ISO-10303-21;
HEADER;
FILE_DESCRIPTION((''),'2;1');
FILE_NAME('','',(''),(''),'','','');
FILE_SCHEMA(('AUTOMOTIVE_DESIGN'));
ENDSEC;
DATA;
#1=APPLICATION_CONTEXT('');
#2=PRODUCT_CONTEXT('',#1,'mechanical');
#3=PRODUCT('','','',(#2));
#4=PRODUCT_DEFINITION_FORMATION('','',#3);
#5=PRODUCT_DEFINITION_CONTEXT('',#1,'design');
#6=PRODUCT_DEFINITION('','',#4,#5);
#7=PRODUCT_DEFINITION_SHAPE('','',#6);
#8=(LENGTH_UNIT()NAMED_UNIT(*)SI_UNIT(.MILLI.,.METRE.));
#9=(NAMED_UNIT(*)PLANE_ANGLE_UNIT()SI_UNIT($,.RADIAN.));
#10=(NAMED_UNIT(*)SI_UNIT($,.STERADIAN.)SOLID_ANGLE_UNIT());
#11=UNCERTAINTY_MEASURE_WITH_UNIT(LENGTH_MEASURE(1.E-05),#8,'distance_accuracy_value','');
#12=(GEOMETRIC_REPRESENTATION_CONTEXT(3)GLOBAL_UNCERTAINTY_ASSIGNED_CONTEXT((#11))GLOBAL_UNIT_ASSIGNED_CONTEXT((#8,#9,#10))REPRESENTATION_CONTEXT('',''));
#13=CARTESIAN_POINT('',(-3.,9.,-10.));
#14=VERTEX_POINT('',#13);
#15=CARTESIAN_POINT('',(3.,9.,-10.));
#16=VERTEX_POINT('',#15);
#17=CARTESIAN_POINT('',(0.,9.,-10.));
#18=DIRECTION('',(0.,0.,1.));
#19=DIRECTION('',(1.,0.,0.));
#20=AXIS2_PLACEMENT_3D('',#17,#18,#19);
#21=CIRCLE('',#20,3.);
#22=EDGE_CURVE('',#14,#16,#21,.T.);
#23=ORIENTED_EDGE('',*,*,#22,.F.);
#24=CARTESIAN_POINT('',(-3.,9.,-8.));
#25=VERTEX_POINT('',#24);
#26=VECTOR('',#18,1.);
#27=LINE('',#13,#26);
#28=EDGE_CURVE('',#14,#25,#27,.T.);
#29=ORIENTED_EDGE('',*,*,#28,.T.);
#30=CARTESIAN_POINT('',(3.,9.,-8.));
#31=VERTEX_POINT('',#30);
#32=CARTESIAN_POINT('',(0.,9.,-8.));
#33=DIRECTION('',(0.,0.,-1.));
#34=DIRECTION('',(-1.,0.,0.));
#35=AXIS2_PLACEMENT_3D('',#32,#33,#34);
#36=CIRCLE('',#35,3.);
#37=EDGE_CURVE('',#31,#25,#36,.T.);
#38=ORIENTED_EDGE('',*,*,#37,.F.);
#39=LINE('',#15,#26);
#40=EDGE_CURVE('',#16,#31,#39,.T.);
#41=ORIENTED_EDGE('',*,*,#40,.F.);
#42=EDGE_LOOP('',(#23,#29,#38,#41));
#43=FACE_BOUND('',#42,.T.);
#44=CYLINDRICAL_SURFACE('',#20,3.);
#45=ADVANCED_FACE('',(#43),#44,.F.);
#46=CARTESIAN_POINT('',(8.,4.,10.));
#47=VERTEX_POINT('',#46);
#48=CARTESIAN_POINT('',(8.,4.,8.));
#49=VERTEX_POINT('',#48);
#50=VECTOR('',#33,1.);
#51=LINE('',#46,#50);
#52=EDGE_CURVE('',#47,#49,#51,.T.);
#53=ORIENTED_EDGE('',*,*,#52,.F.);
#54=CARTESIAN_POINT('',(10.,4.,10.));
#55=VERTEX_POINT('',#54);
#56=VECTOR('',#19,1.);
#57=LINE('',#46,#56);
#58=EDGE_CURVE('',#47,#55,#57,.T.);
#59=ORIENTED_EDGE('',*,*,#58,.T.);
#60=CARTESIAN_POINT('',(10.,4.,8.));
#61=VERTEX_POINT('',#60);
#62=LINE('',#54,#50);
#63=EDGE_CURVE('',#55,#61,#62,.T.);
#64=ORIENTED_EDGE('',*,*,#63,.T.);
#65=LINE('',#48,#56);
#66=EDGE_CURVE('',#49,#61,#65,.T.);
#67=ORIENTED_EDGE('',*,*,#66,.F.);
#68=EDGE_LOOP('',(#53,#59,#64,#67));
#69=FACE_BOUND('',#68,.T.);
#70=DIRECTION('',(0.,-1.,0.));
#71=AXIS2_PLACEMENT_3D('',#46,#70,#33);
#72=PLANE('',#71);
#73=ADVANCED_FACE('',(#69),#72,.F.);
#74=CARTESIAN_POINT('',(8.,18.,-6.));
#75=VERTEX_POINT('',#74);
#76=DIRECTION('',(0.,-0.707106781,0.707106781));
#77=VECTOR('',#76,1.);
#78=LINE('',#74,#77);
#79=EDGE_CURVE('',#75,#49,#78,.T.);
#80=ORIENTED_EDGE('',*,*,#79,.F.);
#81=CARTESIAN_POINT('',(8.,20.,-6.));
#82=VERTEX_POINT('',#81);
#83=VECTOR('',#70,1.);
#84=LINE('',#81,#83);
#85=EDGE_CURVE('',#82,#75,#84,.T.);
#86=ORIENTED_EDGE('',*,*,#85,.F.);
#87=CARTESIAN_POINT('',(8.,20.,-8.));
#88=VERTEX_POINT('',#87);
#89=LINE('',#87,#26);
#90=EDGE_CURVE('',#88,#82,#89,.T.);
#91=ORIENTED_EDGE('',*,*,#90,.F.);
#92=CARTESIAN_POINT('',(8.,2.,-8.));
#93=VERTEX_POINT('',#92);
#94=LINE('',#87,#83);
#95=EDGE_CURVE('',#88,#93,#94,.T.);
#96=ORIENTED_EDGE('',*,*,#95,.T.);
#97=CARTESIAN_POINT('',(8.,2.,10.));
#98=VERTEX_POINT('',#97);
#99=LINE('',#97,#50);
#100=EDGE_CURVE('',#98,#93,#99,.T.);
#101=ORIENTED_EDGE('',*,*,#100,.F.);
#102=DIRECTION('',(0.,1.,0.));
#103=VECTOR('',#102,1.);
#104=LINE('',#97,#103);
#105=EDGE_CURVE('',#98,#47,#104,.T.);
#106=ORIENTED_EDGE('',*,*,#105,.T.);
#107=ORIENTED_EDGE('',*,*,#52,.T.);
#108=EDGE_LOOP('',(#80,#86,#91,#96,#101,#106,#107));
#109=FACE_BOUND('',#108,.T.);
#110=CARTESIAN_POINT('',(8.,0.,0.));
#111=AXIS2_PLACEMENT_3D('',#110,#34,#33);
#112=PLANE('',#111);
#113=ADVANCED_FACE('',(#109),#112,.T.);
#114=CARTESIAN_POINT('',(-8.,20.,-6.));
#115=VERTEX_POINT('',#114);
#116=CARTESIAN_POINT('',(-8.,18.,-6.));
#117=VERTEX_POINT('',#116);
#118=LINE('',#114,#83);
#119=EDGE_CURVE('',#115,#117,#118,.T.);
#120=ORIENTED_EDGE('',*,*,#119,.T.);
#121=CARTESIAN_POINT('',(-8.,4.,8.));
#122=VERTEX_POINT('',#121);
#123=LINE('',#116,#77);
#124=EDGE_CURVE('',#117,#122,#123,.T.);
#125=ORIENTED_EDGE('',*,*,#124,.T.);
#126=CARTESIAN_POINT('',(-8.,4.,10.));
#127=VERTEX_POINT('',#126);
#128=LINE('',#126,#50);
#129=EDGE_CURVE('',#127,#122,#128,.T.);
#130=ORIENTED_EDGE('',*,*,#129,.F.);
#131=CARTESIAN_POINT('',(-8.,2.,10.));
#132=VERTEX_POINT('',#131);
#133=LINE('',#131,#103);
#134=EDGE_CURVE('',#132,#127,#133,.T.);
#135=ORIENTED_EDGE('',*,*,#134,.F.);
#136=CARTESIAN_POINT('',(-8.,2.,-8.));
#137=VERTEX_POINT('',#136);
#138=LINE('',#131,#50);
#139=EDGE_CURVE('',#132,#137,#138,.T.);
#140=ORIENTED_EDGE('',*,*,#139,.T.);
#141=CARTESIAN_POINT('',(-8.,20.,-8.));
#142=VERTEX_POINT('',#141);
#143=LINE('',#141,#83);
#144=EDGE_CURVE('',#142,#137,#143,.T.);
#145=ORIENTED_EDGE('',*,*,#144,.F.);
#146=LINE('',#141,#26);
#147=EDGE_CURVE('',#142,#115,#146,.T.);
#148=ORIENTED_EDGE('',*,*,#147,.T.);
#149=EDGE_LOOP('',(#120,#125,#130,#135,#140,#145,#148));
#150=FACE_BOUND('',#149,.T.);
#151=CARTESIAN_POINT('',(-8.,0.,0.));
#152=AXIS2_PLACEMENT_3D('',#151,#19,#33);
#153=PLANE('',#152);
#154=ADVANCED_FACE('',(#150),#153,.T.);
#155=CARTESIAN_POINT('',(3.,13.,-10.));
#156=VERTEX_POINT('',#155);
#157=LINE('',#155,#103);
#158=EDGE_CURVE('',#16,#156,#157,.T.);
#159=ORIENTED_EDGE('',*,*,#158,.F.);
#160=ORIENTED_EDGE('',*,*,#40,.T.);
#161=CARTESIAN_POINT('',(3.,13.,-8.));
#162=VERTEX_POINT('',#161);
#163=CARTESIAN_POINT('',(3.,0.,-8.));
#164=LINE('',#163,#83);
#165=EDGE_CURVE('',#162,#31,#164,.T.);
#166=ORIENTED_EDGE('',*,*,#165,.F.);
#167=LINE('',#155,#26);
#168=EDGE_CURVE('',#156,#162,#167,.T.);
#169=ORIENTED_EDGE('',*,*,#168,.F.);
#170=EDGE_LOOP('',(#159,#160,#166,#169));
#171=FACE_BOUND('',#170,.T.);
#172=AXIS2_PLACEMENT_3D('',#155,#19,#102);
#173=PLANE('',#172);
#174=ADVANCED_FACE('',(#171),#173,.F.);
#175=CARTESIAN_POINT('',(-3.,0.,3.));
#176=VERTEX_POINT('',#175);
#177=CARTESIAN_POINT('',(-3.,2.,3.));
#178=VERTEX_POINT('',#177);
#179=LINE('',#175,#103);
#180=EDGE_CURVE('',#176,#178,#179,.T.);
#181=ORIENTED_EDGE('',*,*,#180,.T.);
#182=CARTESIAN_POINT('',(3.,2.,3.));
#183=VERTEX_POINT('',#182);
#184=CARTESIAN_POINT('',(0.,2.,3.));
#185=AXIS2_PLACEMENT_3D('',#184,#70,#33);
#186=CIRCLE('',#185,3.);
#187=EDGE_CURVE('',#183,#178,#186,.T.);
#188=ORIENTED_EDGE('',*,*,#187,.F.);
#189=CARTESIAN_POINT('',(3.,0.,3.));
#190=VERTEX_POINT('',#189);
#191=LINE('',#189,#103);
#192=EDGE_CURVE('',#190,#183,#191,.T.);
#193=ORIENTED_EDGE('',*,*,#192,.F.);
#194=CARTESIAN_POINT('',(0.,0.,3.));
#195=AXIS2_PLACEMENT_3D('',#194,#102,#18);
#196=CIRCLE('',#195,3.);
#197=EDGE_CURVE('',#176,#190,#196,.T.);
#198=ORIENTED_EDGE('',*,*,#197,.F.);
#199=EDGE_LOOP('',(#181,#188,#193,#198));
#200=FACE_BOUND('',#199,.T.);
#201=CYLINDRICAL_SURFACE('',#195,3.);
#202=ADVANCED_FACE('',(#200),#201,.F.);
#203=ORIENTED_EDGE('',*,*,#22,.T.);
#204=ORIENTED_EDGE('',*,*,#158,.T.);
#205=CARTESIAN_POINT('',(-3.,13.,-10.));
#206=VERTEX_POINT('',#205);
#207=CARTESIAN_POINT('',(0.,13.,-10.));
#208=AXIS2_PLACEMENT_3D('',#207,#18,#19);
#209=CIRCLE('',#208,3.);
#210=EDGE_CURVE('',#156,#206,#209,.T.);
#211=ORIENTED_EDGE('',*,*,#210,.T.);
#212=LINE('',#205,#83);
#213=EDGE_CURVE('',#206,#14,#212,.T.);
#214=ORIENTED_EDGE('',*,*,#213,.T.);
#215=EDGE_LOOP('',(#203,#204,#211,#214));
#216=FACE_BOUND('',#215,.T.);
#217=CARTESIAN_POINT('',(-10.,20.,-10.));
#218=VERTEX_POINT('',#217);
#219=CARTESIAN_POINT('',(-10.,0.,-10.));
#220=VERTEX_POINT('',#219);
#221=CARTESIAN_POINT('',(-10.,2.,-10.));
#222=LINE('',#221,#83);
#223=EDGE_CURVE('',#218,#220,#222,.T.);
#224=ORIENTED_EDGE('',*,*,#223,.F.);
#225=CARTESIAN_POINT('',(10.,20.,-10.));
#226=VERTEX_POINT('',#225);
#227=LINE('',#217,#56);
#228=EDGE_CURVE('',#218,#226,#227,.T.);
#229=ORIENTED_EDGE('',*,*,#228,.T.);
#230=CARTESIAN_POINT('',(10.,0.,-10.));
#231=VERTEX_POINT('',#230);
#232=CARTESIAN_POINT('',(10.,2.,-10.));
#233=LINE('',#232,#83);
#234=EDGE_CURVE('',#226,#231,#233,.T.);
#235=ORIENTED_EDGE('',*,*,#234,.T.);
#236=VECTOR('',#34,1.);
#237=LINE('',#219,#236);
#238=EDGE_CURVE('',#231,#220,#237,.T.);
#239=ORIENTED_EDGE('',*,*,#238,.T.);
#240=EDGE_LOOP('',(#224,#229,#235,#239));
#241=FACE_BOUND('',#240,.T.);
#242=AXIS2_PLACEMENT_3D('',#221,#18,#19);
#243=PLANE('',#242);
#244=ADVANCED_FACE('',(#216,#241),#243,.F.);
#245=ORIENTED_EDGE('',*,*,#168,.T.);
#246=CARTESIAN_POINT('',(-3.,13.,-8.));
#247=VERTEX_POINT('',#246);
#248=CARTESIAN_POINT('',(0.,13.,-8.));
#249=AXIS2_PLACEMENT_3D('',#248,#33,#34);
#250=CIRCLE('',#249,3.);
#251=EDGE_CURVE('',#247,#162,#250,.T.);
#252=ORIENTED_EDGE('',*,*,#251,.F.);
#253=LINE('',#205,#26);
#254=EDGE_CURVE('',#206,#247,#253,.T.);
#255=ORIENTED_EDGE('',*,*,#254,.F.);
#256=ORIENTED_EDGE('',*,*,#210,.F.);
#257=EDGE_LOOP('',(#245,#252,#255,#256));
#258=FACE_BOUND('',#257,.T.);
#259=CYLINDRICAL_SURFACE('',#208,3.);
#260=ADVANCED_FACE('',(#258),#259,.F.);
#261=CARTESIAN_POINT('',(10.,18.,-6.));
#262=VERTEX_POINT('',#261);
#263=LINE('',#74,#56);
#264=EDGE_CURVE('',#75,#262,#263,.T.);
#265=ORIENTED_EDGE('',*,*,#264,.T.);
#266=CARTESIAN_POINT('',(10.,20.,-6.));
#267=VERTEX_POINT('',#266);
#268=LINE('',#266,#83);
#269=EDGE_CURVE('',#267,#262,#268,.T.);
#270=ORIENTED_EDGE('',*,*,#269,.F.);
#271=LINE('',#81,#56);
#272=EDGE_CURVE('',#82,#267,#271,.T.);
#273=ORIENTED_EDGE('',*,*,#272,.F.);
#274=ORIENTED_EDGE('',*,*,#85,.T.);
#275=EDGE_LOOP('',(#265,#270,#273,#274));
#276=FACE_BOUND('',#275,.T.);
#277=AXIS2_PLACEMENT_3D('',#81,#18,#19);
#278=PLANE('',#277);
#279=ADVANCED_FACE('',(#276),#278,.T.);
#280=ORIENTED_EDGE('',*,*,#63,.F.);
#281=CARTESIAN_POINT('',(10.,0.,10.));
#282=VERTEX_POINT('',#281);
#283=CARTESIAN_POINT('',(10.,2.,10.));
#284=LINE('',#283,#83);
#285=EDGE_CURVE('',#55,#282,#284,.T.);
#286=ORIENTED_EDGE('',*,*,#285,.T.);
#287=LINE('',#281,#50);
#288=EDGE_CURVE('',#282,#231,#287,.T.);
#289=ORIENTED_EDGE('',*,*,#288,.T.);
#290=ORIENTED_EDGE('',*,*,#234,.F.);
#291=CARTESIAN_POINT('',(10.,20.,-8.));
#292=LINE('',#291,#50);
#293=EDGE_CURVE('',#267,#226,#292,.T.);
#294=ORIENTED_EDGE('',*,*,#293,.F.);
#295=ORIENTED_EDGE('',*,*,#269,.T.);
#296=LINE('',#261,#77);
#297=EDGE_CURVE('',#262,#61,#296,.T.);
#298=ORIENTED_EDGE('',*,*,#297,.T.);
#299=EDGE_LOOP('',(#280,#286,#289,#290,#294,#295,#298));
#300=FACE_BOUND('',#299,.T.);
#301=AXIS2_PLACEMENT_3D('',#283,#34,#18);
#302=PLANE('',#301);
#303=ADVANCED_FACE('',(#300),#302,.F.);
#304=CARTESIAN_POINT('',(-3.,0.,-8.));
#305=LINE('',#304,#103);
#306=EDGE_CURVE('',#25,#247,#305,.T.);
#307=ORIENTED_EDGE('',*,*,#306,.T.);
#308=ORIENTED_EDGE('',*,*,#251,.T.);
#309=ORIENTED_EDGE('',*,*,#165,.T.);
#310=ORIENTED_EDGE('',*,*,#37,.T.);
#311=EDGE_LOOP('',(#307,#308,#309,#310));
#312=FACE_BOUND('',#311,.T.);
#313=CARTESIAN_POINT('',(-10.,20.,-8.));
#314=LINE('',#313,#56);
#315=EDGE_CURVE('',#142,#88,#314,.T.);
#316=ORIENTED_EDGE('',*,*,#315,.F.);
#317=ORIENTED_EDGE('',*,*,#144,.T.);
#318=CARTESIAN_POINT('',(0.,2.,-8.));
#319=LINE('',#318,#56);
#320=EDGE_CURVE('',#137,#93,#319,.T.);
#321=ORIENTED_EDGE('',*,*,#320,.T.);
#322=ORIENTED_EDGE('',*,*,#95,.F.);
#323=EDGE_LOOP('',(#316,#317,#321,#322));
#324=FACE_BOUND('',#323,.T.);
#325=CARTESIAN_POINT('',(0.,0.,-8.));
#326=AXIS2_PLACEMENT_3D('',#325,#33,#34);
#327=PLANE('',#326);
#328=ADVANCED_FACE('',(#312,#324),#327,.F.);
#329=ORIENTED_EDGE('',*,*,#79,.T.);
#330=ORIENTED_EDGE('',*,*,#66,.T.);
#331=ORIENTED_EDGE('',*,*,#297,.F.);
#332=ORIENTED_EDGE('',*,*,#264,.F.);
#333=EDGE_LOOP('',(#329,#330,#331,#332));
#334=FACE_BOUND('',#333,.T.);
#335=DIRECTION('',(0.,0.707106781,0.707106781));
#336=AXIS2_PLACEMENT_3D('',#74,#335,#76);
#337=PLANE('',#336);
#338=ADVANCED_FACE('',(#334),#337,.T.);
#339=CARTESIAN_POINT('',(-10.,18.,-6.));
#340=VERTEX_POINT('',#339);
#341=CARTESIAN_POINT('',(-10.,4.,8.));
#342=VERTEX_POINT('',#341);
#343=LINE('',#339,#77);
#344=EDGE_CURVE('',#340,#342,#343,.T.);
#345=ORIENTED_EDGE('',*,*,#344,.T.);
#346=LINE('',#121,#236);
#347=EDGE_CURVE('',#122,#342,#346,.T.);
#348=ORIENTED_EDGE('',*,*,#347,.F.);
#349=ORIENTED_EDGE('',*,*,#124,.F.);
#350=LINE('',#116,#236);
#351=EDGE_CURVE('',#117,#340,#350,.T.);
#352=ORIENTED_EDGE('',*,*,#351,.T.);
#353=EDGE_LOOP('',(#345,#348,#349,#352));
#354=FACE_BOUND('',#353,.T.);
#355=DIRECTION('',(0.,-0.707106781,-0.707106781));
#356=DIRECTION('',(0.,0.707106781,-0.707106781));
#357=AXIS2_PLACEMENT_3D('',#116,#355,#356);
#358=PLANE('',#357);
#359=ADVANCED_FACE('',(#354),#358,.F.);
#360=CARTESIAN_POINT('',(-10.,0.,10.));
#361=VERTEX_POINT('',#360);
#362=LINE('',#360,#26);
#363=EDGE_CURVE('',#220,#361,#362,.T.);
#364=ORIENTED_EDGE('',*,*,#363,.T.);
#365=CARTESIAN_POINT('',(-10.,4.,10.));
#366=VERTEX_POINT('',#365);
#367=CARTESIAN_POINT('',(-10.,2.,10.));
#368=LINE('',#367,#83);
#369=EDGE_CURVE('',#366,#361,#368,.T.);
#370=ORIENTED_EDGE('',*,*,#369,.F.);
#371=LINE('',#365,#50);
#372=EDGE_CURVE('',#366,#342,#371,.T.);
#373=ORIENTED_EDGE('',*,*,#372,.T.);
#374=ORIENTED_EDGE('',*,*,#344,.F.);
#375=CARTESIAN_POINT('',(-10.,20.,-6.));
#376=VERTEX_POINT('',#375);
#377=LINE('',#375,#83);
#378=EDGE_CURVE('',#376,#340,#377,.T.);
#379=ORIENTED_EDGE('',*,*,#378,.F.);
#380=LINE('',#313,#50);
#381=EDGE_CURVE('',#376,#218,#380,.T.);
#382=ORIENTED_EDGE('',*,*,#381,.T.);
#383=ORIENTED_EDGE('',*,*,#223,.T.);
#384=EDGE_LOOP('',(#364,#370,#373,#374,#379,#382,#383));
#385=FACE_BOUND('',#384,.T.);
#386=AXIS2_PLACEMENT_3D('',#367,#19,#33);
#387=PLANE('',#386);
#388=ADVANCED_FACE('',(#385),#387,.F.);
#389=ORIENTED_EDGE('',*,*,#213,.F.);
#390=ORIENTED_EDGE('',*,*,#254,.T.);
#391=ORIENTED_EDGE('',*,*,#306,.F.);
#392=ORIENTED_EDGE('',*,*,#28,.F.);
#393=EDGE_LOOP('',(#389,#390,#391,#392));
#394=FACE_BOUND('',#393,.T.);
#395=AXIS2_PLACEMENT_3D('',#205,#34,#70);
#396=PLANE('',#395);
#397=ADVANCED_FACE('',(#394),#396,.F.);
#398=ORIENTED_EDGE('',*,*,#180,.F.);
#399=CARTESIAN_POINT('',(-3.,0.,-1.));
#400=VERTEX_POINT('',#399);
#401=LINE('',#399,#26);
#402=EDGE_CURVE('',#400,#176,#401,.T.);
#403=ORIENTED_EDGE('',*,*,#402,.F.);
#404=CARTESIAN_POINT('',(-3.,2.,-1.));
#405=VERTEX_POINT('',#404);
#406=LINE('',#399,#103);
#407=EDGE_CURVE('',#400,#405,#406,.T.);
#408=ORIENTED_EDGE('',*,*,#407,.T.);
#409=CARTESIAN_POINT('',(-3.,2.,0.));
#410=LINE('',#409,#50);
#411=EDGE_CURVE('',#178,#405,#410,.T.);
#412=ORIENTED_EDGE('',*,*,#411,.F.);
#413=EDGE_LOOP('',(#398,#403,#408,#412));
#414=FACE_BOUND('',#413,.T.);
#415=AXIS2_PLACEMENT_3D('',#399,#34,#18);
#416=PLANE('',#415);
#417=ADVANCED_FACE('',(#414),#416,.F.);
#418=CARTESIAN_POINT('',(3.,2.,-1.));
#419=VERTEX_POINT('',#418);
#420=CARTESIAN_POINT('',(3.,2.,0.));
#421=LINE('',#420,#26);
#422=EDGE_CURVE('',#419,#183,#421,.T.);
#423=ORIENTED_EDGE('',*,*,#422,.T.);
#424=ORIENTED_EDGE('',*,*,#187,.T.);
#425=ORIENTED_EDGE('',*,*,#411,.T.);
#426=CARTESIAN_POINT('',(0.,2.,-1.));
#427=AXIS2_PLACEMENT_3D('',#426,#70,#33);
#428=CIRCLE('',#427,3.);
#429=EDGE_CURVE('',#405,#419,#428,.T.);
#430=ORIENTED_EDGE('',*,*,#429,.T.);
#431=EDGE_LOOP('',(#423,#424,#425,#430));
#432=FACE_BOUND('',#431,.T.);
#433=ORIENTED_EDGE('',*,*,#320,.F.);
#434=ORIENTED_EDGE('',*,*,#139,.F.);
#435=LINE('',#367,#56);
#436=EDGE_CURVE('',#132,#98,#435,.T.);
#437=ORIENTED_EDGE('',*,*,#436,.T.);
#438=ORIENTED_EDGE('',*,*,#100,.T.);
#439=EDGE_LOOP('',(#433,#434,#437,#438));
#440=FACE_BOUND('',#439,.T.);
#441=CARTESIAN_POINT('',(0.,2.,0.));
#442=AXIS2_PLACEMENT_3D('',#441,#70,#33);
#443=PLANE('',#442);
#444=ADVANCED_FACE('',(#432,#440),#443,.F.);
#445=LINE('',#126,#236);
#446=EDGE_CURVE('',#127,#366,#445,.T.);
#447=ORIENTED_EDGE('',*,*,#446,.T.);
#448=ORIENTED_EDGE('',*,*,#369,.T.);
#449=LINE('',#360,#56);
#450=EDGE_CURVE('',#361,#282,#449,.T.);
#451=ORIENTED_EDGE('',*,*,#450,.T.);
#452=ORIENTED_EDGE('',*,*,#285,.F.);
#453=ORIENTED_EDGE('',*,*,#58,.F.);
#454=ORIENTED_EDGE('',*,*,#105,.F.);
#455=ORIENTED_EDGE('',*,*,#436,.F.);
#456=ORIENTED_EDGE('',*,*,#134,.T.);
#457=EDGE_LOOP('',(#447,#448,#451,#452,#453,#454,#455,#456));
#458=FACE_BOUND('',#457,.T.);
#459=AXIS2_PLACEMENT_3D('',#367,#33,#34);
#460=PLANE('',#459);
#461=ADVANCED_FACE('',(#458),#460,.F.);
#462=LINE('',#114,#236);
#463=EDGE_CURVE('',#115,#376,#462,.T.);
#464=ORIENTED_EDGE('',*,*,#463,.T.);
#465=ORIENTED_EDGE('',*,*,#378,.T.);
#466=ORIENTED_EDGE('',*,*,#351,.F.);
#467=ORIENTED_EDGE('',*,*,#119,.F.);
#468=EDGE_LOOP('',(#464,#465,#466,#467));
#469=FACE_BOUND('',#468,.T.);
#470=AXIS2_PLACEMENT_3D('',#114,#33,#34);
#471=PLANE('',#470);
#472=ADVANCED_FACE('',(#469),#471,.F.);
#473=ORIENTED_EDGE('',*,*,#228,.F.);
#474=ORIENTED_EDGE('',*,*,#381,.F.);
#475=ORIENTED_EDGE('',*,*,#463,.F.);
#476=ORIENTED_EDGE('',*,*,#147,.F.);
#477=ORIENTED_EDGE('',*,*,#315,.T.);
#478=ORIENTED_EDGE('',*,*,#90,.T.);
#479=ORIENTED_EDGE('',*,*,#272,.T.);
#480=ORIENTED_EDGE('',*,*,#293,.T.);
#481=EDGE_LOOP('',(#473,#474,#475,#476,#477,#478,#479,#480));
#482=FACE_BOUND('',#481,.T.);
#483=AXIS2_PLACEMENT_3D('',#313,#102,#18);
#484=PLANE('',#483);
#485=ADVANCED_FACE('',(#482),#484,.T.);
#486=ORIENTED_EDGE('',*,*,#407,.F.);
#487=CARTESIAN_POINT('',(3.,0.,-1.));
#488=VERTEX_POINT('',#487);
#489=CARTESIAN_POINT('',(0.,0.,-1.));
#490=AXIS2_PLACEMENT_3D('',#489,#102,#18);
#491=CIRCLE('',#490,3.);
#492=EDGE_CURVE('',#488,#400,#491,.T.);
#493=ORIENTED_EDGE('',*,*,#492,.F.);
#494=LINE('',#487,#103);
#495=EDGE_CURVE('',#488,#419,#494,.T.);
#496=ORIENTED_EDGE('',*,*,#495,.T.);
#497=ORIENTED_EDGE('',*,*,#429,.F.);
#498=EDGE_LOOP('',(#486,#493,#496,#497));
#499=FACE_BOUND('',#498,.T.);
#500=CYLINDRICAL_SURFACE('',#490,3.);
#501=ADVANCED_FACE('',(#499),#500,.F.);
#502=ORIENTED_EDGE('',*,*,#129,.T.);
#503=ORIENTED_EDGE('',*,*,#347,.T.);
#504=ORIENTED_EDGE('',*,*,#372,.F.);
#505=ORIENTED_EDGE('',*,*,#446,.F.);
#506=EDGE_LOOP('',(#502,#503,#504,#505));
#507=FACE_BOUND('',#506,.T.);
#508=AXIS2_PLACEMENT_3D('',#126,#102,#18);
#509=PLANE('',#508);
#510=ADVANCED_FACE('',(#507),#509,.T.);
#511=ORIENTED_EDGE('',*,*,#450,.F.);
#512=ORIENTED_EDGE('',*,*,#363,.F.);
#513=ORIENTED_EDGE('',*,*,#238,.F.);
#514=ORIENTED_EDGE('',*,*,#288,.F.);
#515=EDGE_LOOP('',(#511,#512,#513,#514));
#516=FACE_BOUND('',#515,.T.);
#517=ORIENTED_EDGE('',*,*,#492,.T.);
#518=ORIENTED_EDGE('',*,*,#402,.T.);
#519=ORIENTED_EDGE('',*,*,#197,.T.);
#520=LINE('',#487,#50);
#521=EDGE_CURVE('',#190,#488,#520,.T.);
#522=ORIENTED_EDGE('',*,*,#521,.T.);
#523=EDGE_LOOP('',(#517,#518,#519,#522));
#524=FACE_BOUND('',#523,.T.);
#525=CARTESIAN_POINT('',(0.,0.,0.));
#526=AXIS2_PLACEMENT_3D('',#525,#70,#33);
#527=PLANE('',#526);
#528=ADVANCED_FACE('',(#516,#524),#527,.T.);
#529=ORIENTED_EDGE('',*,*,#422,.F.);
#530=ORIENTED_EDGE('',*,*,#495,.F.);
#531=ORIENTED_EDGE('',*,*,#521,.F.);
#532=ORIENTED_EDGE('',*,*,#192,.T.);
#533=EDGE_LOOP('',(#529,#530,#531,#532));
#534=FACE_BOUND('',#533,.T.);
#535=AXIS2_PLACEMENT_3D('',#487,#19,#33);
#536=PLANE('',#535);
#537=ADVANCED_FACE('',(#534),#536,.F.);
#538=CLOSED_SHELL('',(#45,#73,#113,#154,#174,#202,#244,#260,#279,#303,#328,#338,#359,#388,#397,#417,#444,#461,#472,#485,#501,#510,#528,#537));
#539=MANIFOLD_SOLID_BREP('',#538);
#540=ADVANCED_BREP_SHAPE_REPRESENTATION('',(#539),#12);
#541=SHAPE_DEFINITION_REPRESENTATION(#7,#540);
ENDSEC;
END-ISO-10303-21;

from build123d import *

# Parameters (mm, degrees)
SKETCH2_W               = 20
SKETCH2_H               = 20
BOSS_EXTRUDE1_DEPTH     = 2
SKETCH4_W               = 20
SKETCH4_H               = 20
BOSS_EXTRUDE2_DEPTH     = 2
BOSS_EXTRUDE3_DEPTH     = 2
CUT_EXTRUDE1_DEPTH      = 23.891046285
CUT_EXTRUDE1_DEPTH_BACK = 23.891046285
CUT_EXTRUDE2_DEPTH      = 29.705400189
CUT_EXTRUDE2_DEPTH_BACK = 29.705400189


with BuildPart() as part:
    # Sketch2 → Boss-Extrude1 (new body)
    with BuildSketch(Plane(origin=(0, 0, 0), x_dir=(1, 0, 0), z_dir=(0, 1, 0))):
        Rectangle(SKETCH2_W, SKETCH2_H)
    extrude(amount=BOSS_EXTRUDE1_DEPTH)

    # Sketch4 → Boss-Extrude2 (add)
    with BuildSketch(Plane(origin=(0, 0, -10), x_dir=(-1, 0, 0), z_dir=(0, 0, -1))):
        with Locations((0, 10)):
            Rectangle(SKETCH4_W, SKETCH4_H)
    extrude(amount=-BOSS_EXTRUDE2_DEPTH)

    # Sketch5 → Boss-Extrude3 (add)
    with BuildSketch(Plane.ZY.offset(10)):
        Polygon((-6, 18), (8, 4), (10, 4), (10, 2), (-8, 2), (-8, 20), (-6, 20), align=None)
    boss_extrude3 = extrude(amount=-BOSS_EXTRUDE3_DEPTH)

    # Mirror1: Boss-Extrude3 across plane
    add(boss_extrude3.mirror(Plane(origin=(0, 0, 0), x_dir=(0, 0, 1), z_dir=(1, 0, 0))))

    # Sketch6 → Cut-Extrude1 (cut, two sides: drawn at the far end of the back side and taken through both)
    with BuildSketch(Plane(origin=(0, 2, 0), x_dir=(1, 0, 0), z_dir=(0, 1, 0)).offset(-CUT_EXTRUDE1_DEPTH_BACK)):
        with BuildLine():
            Line((3, 1), (3, -3))
            ThreePointArc((3, -3), (0, -6), (-3, -3))
            Line((-3, -3), (-3, 1))
            ThreePointArc((-3, 1), (0, 4), (3, 1))
        make_face()
    extrude(amount=CUT_EXTRUDE1_DEPTH + CUT_EXTRUDE1_DEPTH_BACK, mode=Mode.SUBTRACT)

    # Sketch7 → Cut-Extrude2 (cut, two sides: drawn at the far end of the back side and taken through both)
    with BuildSketch(Plane.XY.offset(-8).offset(-CUT_EXTRUDE2_DEPTH_BACK)):
        with BuildLine():
            Line((3, 13), (3, 9))
            ThreePointArc((3, 9), (0, 6), (-3, 9))
            Line((-3, 9), (-3, 13))
            ThreePointArc((-3, 13), (0, 16), (3, 13))
        make_face()
    extrude(amount=CUT_EXTRUDE2_DEPTH + CUT_EXTRUDE2_DEPTH_BACK, mode=Mode.SUBTRACT)


solid = part.part
